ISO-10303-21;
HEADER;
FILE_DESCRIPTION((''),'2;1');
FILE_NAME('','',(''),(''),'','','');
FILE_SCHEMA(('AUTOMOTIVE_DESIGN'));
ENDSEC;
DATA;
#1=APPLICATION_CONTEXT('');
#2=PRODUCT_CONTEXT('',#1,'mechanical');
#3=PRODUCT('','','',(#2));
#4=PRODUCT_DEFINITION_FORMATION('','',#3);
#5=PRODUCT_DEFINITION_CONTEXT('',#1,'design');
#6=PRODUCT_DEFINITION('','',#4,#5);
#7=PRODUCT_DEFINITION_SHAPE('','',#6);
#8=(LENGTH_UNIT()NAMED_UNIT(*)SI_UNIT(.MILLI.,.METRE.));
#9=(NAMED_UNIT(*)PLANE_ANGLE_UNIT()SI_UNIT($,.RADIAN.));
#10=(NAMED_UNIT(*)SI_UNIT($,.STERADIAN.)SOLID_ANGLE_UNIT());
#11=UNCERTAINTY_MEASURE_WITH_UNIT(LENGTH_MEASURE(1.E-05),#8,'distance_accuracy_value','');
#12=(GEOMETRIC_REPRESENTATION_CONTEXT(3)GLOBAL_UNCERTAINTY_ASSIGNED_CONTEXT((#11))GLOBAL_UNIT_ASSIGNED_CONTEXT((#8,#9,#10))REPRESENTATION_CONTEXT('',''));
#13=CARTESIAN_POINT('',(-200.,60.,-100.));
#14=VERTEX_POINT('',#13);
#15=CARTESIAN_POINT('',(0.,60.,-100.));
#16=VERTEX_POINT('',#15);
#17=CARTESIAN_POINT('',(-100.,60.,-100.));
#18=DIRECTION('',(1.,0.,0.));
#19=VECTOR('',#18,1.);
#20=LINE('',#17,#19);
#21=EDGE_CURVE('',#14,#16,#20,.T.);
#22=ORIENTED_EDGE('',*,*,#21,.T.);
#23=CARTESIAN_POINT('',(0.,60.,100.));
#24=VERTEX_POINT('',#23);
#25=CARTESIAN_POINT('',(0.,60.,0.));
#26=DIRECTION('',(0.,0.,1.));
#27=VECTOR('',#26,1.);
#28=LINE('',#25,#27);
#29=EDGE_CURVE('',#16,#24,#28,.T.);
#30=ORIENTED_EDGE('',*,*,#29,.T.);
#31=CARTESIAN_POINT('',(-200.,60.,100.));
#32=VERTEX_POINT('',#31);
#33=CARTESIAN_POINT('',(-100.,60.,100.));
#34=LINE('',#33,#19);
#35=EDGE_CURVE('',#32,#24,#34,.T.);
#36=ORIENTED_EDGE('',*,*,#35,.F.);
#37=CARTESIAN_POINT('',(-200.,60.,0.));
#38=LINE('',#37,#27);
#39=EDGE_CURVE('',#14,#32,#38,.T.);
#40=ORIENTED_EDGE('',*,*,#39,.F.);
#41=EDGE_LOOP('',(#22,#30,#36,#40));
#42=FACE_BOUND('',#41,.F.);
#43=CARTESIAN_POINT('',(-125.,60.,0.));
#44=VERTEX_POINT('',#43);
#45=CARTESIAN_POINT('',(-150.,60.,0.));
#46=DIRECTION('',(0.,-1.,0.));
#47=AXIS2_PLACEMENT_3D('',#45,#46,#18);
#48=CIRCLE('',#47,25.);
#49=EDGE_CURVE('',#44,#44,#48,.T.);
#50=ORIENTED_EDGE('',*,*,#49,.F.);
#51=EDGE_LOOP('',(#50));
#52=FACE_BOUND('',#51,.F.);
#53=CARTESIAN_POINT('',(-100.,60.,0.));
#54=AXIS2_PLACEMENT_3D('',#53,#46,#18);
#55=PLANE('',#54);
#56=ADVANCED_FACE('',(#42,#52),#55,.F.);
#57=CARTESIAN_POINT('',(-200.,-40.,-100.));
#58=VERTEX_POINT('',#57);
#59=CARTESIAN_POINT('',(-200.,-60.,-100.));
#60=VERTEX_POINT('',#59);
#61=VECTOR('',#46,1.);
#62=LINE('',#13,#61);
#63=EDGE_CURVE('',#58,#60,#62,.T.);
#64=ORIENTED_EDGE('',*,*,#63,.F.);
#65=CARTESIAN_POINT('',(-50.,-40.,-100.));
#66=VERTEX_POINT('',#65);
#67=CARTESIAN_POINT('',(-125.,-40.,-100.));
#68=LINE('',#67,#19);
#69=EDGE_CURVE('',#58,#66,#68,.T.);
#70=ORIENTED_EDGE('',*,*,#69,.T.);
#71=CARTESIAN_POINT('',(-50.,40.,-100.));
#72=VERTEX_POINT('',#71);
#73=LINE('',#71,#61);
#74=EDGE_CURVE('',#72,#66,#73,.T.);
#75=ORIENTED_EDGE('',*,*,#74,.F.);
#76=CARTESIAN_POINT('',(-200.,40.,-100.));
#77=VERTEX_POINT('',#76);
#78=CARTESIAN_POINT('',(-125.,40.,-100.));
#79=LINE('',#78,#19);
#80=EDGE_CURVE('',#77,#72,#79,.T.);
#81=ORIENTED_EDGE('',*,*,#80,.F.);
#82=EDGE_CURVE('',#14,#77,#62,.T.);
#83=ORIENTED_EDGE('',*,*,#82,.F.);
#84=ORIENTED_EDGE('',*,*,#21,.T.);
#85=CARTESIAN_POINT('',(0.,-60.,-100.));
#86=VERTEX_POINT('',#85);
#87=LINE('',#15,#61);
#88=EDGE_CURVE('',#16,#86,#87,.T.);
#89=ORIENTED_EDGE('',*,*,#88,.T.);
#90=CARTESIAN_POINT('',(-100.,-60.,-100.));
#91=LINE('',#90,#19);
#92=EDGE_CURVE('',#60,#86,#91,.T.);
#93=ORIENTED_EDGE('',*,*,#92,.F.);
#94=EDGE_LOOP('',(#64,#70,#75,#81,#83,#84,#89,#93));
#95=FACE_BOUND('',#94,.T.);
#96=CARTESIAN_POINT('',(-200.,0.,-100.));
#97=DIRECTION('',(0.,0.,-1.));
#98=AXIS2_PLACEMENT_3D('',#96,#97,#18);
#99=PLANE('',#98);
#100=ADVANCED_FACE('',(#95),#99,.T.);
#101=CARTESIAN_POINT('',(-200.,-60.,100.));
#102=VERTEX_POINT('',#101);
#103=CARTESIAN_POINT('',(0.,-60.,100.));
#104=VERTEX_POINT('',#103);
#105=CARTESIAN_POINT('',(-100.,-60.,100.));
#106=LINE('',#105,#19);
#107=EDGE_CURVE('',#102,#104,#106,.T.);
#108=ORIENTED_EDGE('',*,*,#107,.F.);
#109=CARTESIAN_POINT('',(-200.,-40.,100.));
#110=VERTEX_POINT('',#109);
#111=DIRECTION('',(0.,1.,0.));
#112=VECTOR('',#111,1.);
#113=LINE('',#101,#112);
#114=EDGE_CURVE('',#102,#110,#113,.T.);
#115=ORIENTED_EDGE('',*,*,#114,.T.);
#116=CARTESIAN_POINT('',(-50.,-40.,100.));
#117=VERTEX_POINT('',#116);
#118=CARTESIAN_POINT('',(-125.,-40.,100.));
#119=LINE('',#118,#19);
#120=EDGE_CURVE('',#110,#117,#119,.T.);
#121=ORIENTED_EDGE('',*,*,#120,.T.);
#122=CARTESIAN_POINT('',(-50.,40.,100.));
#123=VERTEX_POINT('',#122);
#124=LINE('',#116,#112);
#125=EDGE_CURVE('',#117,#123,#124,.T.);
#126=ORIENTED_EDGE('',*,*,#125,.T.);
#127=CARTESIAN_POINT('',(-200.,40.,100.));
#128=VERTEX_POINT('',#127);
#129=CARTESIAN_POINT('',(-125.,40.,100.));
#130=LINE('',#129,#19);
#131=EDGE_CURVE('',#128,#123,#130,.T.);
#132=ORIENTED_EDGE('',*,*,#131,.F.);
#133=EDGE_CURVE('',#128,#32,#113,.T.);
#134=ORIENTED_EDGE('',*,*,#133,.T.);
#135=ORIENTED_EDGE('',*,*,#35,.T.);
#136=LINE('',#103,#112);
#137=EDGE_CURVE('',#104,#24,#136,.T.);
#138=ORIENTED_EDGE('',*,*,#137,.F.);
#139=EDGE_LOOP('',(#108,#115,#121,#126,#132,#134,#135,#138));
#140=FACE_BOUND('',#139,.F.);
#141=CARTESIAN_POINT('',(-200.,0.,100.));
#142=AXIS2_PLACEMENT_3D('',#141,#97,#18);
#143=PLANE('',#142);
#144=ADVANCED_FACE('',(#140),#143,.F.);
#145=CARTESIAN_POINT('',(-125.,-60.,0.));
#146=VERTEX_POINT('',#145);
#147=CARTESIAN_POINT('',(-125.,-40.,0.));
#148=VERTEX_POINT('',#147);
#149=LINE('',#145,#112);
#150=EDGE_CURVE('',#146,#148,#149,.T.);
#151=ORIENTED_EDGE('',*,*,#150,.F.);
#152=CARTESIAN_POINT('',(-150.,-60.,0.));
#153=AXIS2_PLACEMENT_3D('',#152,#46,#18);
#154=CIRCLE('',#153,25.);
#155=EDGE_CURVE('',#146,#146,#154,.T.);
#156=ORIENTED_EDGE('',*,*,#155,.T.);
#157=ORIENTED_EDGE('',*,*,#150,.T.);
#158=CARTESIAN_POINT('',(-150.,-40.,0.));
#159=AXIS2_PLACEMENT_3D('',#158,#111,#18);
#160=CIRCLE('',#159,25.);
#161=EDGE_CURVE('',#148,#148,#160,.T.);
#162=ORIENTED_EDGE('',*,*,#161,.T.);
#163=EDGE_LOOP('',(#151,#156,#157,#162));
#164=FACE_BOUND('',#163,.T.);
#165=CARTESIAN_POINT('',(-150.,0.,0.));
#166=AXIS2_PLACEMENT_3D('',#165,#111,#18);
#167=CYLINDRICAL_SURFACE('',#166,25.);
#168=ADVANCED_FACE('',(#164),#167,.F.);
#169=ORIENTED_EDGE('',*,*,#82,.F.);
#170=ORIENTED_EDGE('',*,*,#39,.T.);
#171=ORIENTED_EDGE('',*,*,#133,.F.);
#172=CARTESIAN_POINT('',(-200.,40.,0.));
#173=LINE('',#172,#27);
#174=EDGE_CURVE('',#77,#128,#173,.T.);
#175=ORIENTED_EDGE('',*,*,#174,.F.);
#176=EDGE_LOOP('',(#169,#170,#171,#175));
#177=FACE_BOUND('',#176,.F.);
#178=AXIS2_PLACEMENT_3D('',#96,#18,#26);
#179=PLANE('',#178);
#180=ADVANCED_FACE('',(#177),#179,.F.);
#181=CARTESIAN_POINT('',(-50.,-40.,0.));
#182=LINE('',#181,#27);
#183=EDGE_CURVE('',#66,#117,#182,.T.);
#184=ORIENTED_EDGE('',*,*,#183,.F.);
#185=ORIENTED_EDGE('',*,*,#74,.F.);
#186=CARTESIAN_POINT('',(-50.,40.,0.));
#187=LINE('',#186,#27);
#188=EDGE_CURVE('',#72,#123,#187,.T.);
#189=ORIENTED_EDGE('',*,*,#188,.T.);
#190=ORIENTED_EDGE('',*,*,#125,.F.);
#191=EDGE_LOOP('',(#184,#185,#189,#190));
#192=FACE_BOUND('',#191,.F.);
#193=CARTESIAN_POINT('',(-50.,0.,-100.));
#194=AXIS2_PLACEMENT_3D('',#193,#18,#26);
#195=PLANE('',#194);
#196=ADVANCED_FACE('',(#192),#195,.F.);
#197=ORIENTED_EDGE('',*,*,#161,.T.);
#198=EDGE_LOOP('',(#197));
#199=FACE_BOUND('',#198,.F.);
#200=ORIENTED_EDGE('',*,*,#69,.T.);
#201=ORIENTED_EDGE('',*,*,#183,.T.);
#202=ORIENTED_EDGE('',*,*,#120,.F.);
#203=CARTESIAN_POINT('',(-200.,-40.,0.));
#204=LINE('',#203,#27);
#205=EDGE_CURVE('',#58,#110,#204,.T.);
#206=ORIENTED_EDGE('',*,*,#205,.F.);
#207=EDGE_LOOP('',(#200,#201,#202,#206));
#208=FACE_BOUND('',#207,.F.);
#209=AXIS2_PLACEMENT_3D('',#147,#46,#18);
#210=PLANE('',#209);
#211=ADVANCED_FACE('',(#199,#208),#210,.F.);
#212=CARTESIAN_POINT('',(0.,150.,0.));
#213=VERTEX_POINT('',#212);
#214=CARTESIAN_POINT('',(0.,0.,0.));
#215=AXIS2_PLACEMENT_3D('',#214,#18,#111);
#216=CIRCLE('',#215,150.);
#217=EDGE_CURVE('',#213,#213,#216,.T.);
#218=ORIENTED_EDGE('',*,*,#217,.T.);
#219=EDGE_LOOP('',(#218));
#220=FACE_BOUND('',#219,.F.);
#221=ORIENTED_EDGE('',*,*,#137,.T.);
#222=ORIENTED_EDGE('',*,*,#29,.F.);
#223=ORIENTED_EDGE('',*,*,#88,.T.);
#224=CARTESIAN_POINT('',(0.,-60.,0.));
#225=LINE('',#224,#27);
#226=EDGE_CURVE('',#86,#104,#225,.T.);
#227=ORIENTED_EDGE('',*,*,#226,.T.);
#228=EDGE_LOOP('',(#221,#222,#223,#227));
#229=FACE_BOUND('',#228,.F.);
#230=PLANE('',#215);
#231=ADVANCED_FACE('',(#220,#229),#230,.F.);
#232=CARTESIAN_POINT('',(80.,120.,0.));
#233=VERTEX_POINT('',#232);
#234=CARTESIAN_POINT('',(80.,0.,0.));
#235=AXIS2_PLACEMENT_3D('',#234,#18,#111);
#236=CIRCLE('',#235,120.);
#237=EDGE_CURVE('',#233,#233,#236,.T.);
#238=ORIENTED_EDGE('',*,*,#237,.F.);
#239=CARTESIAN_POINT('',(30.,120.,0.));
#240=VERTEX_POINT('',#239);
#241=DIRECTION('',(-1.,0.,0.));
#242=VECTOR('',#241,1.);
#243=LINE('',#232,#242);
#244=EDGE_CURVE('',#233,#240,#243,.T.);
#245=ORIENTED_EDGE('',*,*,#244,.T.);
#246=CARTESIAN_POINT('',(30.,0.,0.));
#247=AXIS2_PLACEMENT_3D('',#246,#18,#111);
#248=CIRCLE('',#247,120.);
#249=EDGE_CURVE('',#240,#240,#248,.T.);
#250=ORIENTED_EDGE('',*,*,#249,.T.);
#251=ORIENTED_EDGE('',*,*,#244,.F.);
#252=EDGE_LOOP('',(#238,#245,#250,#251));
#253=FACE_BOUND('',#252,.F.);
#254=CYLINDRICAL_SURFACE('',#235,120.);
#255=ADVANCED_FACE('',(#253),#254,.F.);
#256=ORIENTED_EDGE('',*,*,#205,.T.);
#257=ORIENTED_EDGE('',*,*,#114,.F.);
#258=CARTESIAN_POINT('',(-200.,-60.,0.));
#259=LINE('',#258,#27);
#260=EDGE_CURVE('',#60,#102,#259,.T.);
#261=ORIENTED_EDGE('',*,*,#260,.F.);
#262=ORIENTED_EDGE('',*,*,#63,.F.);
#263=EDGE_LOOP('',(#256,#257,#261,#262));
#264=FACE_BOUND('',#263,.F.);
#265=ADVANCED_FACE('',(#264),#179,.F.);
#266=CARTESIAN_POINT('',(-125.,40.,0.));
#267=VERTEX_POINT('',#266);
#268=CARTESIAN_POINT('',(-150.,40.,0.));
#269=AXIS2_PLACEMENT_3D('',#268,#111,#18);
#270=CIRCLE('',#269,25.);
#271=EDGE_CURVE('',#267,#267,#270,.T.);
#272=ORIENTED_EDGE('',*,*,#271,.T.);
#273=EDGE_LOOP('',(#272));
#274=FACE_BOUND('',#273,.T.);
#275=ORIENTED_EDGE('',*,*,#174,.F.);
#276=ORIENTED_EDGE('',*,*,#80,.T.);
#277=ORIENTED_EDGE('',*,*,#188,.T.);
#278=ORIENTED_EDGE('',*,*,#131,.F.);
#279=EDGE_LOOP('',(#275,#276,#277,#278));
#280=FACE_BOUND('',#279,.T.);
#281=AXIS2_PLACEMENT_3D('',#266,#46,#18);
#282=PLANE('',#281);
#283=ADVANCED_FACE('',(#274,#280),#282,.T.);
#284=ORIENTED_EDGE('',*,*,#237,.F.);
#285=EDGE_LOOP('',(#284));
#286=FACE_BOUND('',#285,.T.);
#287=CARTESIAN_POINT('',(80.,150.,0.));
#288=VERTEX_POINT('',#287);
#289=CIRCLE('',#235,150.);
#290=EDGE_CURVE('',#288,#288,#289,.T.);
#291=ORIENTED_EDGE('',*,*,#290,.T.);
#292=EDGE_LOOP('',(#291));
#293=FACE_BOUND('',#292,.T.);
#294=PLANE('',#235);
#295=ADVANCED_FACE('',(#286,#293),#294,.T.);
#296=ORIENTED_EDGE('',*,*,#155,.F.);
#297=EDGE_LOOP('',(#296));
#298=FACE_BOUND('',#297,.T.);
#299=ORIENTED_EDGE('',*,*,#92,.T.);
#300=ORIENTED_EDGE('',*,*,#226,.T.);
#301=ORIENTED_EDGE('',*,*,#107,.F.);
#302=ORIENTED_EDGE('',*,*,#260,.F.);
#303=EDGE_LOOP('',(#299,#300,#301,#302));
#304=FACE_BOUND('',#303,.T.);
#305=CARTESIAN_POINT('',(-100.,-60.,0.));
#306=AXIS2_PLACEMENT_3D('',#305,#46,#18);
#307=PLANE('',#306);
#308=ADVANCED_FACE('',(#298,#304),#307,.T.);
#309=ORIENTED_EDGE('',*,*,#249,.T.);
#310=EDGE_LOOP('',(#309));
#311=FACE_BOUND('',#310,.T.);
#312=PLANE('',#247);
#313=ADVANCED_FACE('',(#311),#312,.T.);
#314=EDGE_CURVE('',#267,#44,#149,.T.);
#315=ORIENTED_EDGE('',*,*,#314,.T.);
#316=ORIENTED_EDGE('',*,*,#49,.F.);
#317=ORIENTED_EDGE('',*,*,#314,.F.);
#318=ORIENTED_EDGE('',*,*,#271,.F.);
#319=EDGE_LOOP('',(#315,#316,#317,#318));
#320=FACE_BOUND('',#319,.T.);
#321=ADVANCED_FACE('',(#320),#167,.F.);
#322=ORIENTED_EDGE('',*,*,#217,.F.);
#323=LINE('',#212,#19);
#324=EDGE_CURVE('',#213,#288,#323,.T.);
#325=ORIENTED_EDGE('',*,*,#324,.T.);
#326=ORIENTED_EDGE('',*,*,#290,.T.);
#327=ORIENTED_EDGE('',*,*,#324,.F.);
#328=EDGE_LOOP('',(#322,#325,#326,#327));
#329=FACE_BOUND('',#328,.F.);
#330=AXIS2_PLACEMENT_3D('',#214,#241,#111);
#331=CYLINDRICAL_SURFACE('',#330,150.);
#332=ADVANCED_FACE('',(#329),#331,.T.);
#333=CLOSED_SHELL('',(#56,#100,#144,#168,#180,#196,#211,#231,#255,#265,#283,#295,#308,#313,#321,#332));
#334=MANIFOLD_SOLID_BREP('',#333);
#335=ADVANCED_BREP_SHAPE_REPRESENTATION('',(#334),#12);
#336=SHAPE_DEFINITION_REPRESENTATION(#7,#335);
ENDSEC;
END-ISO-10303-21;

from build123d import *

# Parameters (mm, degrees)
F0_W     = 200
F0_H     = 200
F0_R     = 25
F1_DEPTH = 60
F2_W     = 150
F2_H     = 200
F3_DEPTH = 40
F4_R     = 150
F5_DEPTH = 80
F6_R     = 120
F7_DEPTH = 50


with BuildPart() as f1:
    # F0 (on Front) → F1 (new body, symmetric)
    with BuildSketch(Plane.XZ):
        with Locations((-100, 0)):
            Rectangle(F0_W, F0_H)
        with Locations((-150, 0)):
            Circle(F0_R, mode=Mode.SUBTRACT)
    extrude(amount=F1_DEPTH, both=True)

    # F2 (on Front) → F3 (cut, symmetric)
    with BuildSketch(Plane.XZ):
        with Locations((-125, 0)):
            Rectangle(F2_W, F2_H)
    extrude(amount=F3_DEPTH, both=True, mode=Mode.SUBTRACT)

    # F4 (on face) → F5 (join)
    with BuildSketch(Plane.YZ):
        Circle(F4_R)
    extrude(amount=F5_DEPTH)

    # F6 (on face) → F7 (cut)
    with BuildSketch(Plane.YZ.offset(80)):
        Circle(F6_R)
    extrude(amount=-F7_DEPTH, mode=Mode.SUBTRACT)


solid = f1.part
